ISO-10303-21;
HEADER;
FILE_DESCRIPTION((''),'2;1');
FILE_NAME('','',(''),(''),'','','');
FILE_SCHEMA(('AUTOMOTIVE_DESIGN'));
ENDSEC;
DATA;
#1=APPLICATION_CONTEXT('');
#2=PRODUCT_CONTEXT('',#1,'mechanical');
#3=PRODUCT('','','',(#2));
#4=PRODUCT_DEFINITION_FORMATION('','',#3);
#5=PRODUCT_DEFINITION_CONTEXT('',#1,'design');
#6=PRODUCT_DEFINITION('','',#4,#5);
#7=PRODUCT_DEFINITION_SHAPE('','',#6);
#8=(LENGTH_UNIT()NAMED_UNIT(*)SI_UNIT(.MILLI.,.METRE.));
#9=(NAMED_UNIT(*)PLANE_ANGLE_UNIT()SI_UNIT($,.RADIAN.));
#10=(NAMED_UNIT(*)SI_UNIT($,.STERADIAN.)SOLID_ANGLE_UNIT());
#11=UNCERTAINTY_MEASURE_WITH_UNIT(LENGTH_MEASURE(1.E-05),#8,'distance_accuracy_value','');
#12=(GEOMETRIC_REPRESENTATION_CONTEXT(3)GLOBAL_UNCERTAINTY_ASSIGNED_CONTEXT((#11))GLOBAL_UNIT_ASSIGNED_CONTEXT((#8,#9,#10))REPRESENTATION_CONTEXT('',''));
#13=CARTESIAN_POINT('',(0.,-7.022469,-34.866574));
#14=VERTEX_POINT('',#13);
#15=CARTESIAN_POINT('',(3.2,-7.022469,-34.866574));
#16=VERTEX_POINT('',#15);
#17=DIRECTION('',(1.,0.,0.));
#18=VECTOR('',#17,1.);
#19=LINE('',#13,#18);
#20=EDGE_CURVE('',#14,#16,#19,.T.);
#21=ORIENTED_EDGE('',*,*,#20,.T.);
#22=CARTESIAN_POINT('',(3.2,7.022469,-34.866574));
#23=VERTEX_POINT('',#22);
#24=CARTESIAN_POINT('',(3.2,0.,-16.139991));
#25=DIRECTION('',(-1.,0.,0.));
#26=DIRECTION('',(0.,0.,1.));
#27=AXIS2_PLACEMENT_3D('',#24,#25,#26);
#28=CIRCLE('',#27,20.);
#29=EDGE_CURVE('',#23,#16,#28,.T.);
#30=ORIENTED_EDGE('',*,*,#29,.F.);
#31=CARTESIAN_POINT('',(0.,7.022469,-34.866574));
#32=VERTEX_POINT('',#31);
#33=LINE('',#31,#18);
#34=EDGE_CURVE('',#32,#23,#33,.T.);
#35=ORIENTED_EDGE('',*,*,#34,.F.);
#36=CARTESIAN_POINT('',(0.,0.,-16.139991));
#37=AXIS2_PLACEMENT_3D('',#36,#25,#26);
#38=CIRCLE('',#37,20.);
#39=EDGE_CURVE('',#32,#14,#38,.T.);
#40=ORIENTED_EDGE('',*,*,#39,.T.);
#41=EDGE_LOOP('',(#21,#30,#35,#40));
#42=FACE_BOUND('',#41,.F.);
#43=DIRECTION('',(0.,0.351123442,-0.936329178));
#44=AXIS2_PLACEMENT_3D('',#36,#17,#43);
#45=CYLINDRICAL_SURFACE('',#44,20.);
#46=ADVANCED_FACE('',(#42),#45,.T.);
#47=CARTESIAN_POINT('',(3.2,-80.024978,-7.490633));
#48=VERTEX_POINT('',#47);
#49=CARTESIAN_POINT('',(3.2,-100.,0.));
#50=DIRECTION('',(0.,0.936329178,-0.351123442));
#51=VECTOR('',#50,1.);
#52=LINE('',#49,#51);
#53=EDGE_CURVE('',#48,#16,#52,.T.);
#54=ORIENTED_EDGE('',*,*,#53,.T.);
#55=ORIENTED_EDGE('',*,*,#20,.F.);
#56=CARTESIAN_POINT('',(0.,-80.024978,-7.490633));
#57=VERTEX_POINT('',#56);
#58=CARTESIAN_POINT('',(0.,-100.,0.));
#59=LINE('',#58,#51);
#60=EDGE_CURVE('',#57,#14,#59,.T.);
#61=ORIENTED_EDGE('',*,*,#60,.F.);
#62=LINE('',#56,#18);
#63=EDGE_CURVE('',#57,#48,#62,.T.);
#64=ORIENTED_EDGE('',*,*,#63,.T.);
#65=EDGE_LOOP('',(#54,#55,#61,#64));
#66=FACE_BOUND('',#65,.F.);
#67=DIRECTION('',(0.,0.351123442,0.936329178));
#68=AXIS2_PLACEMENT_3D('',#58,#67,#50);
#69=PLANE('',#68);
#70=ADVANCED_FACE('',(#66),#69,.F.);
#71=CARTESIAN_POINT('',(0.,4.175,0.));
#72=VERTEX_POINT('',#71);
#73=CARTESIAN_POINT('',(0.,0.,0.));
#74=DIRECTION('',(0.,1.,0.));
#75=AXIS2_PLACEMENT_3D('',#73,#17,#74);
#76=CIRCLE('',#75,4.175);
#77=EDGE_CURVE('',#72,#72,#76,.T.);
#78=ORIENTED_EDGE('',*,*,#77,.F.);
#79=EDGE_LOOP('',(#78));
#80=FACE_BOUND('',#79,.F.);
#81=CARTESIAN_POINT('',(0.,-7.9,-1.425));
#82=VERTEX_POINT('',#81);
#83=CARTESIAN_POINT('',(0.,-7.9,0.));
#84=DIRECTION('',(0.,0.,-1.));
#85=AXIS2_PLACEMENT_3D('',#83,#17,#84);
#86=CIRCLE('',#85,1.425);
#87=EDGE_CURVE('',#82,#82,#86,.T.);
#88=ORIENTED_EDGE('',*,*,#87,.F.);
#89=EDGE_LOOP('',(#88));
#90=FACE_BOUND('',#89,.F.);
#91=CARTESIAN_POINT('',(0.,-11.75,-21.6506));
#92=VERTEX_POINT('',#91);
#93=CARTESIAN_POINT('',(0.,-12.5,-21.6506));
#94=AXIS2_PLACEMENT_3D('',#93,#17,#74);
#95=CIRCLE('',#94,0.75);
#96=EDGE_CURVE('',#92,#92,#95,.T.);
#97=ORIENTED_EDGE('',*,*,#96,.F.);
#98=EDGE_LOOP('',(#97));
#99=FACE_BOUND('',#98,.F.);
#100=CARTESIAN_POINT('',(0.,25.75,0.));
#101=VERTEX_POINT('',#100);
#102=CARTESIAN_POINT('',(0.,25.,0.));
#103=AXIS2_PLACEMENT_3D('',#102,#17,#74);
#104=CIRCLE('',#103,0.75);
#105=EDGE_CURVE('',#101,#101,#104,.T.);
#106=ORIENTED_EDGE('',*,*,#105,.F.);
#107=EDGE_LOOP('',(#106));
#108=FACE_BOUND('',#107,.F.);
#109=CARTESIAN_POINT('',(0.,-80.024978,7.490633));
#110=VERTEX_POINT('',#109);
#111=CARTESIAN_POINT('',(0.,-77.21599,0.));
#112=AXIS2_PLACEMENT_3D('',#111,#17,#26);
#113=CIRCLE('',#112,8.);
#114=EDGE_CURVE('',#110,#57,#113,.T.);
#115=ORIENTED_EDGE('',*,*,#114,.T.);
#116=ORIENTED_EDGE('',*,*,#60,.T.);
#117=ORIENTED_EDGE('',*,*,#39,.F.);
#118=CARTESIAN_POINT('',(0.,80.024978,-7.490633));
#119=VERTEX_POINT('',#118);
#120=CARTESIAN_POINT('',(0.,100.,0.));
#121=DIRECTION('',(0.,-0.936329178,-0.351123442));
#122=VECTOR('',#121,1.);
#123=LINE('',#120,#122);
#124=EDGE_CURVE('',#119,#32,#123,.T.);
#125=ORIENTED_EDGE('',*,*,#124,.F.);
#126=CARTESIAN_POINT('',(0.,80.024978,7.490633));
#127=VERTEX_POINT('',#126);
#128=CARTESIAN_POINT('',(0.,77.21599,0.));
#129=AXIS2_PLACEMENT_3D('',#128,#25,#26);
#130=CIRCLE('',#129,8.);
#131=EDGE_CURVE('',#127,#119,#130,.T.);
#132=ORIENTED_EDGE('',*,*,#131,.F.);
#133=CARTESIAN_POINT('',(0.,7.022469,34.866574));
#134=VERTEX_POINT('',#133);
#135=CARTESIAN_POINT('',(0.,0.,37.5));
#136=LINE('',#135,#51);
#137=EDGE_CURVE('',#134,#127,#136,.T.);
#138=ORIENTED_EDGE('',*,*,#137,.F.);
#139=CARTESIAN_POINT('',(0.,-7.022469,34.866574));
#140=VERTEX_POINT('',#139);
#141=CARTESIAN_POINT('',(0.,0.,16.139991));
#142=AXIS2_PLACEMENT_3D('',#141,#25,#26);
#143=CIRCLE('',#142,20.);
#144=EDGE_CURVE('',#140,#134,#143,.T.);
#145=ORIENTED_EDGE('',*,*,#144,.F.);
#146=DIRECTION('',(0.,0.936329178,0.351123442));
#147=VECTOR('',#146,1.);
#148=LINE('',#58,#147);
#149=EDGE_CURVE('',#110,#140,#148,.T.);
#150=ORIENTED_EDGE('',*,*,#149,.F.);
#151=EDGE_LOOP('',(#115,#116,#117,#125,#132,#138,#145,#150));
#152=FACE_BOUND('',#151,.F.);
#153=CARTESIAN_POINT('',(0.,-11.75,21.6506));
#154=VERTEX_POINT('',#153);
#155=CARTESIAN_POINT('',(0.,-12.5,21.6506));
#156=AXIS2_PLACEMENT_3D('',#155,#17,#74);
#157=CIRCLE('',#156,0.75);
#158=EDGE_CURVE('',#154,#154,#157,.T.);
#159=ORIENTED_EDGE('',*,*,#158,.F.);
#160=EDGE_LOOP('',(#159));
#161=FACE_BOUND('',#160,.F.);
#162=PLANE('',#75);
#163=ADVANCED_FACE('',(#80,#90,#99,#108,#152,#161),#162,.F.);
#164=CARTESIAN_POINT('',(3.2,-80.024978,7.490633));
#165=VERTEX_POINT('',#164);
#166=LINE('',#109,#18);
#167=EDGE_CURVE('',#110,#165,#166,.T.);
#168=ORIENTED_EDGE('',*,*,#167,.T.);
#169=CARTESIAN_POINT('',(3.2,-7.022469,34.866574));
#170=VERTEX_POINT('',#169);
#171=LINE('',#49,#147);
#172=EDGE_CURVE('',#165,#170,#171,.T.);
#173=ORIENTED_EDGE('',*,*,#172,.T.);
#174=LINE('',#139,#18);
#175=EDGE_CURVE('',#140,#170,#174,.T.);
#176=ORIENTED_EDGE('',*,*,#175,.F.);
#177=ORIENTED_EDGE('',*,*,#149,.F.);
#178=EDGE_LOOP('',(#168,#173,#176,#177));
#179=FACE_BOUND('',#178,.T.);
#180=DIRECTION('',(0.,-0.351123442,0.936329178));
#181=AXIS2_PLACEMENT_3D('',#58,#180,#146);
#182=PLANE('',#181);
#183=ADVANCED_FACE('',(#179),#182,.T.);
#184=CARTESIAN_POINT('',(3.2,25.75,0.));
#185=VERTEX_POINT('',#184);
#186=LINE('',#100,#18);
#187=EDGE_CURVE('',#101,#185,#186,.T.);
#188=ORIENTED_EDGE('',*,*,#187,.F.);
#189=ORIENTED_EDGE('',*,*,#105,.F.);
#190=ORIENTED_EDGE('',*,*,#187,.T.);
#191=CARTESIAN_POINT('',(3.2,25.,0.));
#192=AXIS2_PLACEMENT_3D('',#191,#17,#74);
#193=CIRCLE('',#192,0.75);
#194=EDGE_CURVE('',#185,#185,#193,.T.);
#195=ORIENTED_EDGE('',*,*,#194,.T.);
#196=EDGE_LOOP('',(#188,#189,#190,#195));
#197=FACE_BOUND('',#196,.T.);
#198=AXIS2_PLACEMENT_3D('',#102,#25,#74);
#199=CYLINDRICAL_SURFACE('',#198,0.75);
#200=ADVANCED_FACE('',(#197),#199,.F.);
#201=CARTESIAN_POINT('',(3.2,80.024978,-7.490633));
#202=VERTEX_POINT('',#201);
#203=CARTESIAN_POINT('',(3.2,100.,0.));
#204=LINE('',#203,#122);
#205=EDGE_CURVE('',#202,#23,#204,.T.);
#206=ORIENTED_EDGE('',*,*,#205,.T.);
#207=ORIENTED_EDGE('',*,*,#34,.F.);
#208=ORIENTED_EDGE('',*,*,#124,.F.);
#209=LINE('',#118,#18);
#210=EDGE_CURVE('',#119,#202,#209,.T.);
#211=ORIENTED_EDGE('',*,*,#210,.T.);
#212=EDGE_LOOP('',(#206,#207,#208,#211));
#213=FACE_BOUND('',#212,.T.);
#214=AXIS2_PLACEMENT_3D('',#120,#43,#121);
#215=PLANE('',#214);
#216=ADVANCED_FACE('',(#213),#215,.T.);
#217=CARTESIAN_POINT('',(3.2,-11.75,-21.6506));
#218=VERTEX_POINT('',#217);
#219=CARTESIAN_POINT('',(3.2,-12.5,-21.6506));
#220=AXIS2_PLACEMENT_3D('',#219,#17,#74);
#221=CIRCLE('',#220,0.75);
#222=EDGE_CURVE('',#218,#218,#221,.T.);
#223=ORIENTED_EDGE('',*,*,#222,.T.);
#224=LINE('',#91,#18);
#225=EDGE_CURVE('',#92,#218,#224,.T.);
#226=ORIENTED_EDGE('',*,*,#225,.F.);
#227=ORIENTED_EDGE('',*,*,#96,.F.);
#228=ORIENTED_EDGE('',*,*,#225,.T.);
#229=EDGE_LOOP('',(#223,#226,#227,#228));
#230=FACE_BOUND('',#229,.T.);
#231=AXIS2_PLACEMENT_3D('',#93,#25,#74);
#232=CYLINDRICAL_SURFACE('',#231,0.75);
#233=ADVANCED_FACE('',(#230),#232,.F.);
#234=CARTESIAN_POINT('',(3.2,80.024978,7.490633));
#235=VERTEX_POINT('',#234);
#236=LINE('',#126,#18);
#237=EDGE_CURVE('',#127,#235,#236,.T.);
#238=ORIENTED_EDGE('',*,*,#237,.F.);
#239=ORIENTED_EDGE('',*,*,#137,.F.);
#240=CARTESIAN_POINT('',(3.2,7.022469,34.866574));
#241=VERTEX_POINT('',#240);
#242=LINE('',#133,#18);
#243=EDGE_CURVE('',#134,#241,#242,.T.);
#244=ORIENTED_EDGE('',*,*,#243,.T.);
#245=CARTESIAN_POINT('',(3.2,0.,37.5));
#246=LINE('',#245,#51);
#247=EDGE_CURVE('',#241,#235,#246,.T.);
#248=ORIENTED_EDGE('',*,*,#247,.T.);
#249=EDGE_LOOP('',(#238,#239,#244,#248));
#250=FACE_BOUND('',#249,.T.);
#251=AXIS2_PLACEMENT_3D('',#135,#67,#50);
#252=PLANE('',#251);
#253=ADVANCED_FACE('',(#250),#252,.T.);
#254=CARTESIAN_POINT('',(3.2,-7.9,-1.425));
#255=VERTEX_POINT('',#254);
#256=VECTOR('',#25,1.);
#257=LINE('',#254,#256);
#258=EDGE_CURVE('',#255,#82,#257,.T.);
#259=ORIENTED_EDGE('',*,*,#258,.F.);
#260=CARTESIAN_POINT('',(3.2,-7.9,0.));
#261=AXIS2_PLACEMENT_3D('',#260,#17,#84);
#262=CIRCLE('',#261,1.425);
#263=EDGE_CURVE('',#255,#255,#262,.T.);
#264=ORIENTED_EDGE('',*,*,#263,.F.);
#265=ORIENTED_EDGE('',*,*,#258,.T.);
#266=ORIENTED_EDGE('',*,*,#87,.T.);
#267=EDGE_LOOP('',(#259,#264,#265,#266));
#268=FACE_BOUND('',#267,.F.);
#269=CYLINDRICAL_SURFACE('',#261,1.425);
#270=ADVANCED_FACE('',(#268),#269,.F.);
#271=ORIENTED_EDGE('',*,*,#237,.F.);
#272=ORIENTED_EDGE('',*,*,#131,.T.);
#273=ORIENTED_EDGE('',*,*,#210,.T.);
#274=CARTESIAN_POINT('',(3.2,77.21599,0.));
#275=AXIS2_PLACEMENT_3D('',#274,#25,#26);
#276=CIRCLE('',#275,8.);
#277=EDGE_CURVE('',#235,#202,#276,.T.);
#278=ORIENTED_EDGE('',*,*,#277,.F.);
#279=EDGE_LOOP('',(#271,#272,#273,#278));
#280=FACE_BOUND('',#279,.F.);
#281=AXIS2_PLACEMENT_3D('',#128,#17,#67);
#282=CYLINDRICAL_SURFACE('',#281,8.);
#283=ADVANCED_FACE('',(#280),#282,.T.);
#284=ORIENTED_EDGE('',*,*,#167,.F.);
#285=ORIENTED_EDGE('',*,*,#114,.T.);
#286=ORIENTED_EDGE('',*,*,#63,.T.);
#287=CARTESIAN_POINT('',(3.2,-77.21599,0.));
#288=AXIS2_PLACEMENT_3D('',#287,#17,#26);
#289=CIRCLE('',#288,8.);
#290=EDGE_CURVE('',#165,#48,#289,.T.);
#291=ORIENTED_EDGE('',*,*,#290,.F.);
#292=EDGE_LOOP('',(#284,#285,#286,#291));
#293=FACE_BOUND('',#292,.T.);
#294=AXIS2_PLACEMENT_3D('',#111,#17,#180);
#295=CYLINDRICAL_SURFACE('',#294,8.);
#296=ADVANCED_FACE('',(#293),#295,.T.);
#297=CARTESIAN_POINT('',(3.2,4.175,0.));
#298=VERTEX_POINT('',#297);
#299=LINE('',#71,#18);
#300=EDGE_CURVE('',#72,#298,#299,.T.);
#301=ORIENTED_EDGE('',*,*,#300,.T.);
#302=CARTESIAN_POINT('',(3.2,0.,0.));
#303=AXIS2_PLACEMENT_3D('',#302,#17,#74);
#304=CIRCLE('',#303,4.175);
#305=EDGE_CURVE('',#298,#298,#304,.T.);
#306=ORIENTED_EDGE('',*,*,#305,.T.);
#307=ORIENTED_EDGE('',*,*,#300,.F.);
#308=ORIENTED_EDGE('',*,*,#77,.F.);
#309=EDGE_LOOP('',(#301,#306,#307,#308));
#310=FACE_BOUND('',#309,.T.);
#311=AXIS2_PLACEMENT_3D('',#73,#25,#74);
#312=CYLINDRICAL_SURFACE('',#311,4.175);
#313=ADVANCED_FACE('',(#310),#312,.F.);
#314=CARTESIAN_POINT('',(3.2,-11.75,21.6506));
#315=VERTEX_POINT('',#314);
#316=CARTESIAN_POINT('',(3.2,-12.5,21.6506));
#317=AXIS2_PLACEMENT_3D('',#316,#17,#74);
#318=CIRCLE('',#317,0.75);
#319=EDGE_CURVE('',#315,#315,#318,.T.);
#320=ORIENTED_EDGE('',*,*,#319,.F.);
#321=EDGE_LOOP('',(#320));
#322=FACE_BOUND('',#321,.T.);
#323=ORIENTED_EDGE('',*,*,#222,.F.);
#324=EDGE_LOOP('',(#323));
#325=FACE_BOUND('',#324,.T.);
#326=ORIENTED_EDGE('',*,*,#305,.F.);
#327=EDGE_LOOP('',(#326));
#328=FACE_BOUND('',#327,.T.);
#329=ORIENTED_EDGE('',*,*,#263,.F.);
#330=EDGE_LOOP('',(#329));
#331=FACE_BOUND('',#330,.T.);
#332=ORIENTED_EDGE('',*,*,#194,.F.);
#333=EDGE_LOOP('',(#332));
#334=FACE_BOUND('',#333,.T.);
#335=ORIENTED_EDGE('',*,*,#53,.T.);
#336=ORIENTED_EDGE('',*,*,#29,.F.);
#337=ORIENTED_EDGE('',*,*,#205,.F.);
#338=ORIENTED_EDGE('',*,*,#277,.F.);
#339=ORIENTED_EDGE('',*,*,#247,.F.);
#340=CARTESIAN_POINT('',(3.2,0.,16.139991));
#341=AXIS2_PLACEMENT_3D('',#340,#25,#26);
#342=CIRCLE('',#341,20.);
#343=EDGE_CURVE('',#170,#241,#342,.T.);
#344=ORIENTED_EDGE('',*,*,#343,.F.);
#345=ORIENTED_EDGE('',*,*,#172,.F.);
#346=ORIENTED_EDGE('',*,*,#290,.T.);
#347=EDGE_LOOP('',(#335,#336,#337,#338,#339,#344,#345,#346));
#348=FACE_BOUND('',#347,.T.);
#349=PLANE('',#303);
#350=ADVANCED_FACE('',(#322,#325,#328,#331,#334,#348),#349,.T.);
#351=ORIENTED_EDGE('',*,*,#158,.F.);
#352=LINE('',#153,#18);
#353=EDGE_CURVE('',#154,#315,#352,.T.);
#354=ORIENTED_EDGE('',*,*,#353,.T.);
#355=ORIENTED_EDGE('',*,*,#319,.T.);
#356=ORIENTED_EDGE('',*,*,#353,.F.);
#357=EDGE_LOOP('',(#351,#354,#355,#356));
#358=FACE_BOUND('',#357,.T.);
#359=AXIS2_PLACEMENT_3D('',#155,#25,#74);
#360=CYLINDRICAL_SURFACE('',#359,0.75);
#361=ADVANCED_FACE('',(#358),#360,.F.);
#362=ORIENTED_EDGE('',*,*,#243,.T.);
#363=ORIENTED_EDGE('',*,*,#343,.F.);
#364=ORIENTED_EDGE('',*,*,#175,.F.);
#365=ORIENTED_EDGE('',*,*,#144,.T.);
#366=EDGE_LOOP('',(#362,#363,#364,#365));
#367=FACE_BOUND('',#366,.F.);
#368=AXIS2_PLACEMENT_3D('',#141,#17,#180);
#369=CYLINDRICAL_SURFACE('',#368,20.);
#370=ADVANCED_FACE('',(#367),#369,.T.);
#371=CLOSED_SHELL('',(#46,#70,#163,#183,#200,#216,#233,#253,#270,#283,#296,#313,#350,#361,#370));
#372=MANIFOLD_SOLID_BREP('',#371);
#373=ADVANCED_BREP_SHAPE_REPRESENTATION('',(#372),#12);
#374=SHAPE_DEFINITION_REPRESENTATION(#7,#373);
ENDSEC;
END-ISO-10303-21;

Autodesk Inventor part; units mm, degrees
ref_plane "YZ Plane" through (0, 0, 0) normal (1, 0, 0) x (0, 1, 0)
ref_plane "XZ Plane" through (0, 0, 0) normal (0, 1, 0) x (-1, 0, 0)
ref_plane "XY Plane" through (0, 0, 0) normal (0, 0, 1) x (1, 0, 0)
sketch "Sketch1" plane through (0, 0, 0) normal (1, 0, 0) x (0, 1, 0)
  line L0 (-122.5, 0) -> (122.5, 0) construction
  line L1 (0, -52.5) -> (0, 52.5) construction
  line L2 (-100, 0) -> (0, 37.5)
  line L3 (0, 37.5) -> (100, 0)
  line L4 (100, 0) -> (0, -37.5)
  line L5 (-100, 0) -> (0, -37.5)
  circle A0 centre (0, 0) radius 4.175
  circle A1 centre (25, 0) radius 0.75
  line L6 (25, 0) -> (-12.5, -21.6506) construction
  line L7 (-12.5, -21.6506) -> (-12.5, 21.6506) construction
  line L8 (-12.5, 21.6506) -> (25, 0) construction
  circle A2 centre (-12.5, 21.6506) radius 0.75
  circle A3 centre (-12.5, -21.6506) radius 0.75
  circle A4 centre (0, 0) radius 25 construction
  dimension "d7" = 50
  dimension "d3" = 8.35
  dimension "d4" = 1.5
  dimension "d11" = 75
  dimension "d24" = 200
extrude "Extrusion1" add sketch "Sketch1" along normal blind 3.2
fillet "Fillet1" radius 20 2 edges at (1.6, 0, 37.5) (1.6, 0, -37.5)
sketch "Sketch4" plane through (3.2, 0, 0) normal (1, 0, 0) x (0, 0, -1)
  circle A0 centre (0, 0) radius 4.175 projected
  circle A1 centre (0, -7.9) radius 1.425
  dimension "d20" = 7.9
  dimension "d21" = 2.85
extrude "Extrusion4" cut sketch "Sketch4" against normal through all contours A1
fillet "Fillet4" radius 8 2 edges at (1.6, 100, 0) (1.6, -100, 0)
sketch "Sketch5" plane through (0, 0, 0) normal (-1, 0, 0) x (0, 0, 1)
  circle A0 centre (-21.6506, -12.5) radius 0.75 projected
  circle A1 centre (-2.0715, -16.5813) radius 1.425
  line L0 (-2.0715, -16.5813) -> (-21.6506, -12.5) construction
  circle A2 centre (0, -7.9) radius 1.425 projected
  circle A3 centre (0, 0) radius 4.175 projected
  circle A4 centre (-2.0715, -16.5813) radius 7.5 construction
  line L1 (-2.0715, -16.5813) -> (7.7181, -18.6219) construction
  circle A5 centre (7.7181, -18.6219) radius 1.425
  circle A6 centre (15.3955, 6.4967) radius 1.425
  circle A7 centre (12.268, 15.995) radius 1.425
  circle A8 centre (-13.3241, 10.0846) radius 1.425
  circle A9 centre (-19.9861, 2.6269) radius 1.425
  point P0 (22.1831, -13.0282)
  point P1 (-22.1831, -13.0282)
  dimension "d31" = 2.85
  dimension "d32" = 20
  dimension "d33" = 15
  dimension "d38" = 10
  dimension "d41" = 360
sketch "Sketch3" plane through (3.2, 0, 0) normal (1, 0, 0) x (0, 0, -1)
  line L0 (-7.7286, 24.361) -> (0, 66.8014)
  line L1 (0, 66.8014) -> (7.7286, 24.361)
  line L2 (8.0286, -24.361) -> (0, -68.4486)
  line L3 (0, -68.4486) -> (-8.0286, -24.361)
  line L4 (-7.7286, 24.361) -> (7.7286, 24.361)
  line L5 (-8.0286, -24.361) -> (8.0286, -24.361)
  line L6 (52.5, 0) -> (-52.5, 0) projected
sketch "Sketch2" plane through (3.2, 0, 0) normal (1, 0, 0) x (0, 0, -1)
  circle A0 centre (0, 0) radius 4.175 projected
  circle A1 centre (0, 0) radius 3.048
  dimension "d13" = 6.096
equation "\"d24\" = Height"
equation "\"Height\" = 200"
properties part number "RibSimple"
